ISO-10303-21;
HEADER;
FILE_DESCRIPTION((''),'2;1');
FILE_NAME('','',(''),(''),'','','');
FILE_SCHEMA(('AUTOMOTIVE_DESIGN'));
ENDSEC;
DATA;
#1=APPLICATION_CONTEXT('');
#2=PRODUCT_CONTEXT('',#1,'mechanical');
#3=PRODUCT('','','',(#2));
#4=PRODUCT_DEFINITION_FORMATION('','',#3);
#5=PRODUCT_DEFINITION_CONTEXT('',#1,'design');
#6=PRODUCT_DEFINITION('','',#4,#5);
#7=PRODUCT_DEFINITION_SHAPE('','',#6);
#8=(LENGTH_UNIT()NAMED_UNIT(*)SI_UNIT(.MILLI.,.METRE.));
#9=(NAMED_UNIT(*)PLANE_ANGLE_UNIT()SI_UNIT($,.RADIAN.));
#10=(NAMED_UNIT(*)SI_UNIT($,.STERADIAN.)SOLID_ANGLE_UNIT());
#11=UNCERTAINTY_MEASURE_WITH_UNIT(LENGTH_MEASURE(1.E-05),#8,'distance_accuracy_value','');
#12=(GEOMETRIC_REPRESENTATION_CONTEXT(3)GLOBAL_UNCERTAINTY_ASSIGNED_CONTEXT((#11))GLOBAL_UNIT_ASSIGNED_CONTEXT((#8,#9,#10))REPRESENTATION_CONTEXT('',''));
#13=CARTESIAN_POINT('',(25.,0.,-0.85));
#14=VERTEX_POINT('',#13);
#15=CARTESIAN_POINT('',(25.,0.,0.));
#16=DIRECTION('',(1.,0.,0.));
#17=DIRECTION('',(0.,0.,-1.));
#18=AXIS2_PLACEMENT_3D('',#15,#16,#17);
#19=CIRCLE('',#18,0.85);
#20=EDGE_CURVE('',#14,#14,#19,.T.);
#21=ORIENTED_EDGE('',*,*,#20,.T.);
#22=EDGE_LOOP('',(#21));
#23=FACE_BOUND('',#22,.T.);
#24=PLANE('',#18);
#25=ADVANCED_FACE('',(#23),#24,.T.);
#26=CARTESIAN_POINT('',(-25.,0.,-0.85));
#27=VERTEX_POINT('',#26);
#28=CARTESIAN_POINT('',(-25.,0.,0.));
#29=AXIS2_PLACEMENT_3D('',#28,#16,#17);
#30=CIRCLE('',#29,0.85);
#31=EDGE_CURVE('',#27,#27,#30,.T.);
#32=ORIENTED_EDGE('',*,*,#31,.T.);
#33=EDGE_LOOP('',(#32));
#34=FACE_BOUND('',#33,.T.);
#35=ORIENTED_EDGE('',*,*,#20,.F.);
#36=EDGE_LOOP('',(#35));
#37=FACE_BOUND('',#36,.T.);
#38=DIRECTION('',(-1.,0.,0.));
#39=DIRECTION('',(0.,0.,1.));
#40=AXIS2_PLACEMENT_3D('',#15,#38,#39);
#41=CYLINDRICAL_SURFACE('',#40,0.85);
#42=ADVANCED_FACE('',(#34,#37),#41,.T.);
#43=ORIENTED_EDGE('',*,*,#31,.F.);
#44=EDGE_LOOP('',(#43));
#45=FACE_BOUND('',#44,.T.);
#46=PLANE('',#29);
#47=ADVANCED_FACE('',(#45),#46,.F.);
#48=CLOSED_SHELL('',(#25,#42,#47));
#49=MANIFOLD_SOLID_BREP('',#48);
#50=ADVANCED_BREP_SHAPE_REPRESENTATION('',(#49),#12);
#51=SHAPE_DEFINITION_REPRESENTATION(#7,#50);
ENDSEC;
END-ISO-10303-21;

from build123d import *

# Parameters (mm, degrees)
CROQUIS1_R              = 0.85
SALIENTE_EXTRUIR1_DEPTH = 25


with BuildPart() as part:
    # Croquis1 → Saliente-Extruir1 (new body, symmetric)
    with BuildSketch(Plane(origin=(0, 0, 0), x_dir=(0, 0, -1), z_dir=(1, 0, 0))):
        Circle(CROQUIS1_R)
    extrude(amount=SALIENTE_EXTRUIR1_DEPTH, both=True)


solid = part.part
